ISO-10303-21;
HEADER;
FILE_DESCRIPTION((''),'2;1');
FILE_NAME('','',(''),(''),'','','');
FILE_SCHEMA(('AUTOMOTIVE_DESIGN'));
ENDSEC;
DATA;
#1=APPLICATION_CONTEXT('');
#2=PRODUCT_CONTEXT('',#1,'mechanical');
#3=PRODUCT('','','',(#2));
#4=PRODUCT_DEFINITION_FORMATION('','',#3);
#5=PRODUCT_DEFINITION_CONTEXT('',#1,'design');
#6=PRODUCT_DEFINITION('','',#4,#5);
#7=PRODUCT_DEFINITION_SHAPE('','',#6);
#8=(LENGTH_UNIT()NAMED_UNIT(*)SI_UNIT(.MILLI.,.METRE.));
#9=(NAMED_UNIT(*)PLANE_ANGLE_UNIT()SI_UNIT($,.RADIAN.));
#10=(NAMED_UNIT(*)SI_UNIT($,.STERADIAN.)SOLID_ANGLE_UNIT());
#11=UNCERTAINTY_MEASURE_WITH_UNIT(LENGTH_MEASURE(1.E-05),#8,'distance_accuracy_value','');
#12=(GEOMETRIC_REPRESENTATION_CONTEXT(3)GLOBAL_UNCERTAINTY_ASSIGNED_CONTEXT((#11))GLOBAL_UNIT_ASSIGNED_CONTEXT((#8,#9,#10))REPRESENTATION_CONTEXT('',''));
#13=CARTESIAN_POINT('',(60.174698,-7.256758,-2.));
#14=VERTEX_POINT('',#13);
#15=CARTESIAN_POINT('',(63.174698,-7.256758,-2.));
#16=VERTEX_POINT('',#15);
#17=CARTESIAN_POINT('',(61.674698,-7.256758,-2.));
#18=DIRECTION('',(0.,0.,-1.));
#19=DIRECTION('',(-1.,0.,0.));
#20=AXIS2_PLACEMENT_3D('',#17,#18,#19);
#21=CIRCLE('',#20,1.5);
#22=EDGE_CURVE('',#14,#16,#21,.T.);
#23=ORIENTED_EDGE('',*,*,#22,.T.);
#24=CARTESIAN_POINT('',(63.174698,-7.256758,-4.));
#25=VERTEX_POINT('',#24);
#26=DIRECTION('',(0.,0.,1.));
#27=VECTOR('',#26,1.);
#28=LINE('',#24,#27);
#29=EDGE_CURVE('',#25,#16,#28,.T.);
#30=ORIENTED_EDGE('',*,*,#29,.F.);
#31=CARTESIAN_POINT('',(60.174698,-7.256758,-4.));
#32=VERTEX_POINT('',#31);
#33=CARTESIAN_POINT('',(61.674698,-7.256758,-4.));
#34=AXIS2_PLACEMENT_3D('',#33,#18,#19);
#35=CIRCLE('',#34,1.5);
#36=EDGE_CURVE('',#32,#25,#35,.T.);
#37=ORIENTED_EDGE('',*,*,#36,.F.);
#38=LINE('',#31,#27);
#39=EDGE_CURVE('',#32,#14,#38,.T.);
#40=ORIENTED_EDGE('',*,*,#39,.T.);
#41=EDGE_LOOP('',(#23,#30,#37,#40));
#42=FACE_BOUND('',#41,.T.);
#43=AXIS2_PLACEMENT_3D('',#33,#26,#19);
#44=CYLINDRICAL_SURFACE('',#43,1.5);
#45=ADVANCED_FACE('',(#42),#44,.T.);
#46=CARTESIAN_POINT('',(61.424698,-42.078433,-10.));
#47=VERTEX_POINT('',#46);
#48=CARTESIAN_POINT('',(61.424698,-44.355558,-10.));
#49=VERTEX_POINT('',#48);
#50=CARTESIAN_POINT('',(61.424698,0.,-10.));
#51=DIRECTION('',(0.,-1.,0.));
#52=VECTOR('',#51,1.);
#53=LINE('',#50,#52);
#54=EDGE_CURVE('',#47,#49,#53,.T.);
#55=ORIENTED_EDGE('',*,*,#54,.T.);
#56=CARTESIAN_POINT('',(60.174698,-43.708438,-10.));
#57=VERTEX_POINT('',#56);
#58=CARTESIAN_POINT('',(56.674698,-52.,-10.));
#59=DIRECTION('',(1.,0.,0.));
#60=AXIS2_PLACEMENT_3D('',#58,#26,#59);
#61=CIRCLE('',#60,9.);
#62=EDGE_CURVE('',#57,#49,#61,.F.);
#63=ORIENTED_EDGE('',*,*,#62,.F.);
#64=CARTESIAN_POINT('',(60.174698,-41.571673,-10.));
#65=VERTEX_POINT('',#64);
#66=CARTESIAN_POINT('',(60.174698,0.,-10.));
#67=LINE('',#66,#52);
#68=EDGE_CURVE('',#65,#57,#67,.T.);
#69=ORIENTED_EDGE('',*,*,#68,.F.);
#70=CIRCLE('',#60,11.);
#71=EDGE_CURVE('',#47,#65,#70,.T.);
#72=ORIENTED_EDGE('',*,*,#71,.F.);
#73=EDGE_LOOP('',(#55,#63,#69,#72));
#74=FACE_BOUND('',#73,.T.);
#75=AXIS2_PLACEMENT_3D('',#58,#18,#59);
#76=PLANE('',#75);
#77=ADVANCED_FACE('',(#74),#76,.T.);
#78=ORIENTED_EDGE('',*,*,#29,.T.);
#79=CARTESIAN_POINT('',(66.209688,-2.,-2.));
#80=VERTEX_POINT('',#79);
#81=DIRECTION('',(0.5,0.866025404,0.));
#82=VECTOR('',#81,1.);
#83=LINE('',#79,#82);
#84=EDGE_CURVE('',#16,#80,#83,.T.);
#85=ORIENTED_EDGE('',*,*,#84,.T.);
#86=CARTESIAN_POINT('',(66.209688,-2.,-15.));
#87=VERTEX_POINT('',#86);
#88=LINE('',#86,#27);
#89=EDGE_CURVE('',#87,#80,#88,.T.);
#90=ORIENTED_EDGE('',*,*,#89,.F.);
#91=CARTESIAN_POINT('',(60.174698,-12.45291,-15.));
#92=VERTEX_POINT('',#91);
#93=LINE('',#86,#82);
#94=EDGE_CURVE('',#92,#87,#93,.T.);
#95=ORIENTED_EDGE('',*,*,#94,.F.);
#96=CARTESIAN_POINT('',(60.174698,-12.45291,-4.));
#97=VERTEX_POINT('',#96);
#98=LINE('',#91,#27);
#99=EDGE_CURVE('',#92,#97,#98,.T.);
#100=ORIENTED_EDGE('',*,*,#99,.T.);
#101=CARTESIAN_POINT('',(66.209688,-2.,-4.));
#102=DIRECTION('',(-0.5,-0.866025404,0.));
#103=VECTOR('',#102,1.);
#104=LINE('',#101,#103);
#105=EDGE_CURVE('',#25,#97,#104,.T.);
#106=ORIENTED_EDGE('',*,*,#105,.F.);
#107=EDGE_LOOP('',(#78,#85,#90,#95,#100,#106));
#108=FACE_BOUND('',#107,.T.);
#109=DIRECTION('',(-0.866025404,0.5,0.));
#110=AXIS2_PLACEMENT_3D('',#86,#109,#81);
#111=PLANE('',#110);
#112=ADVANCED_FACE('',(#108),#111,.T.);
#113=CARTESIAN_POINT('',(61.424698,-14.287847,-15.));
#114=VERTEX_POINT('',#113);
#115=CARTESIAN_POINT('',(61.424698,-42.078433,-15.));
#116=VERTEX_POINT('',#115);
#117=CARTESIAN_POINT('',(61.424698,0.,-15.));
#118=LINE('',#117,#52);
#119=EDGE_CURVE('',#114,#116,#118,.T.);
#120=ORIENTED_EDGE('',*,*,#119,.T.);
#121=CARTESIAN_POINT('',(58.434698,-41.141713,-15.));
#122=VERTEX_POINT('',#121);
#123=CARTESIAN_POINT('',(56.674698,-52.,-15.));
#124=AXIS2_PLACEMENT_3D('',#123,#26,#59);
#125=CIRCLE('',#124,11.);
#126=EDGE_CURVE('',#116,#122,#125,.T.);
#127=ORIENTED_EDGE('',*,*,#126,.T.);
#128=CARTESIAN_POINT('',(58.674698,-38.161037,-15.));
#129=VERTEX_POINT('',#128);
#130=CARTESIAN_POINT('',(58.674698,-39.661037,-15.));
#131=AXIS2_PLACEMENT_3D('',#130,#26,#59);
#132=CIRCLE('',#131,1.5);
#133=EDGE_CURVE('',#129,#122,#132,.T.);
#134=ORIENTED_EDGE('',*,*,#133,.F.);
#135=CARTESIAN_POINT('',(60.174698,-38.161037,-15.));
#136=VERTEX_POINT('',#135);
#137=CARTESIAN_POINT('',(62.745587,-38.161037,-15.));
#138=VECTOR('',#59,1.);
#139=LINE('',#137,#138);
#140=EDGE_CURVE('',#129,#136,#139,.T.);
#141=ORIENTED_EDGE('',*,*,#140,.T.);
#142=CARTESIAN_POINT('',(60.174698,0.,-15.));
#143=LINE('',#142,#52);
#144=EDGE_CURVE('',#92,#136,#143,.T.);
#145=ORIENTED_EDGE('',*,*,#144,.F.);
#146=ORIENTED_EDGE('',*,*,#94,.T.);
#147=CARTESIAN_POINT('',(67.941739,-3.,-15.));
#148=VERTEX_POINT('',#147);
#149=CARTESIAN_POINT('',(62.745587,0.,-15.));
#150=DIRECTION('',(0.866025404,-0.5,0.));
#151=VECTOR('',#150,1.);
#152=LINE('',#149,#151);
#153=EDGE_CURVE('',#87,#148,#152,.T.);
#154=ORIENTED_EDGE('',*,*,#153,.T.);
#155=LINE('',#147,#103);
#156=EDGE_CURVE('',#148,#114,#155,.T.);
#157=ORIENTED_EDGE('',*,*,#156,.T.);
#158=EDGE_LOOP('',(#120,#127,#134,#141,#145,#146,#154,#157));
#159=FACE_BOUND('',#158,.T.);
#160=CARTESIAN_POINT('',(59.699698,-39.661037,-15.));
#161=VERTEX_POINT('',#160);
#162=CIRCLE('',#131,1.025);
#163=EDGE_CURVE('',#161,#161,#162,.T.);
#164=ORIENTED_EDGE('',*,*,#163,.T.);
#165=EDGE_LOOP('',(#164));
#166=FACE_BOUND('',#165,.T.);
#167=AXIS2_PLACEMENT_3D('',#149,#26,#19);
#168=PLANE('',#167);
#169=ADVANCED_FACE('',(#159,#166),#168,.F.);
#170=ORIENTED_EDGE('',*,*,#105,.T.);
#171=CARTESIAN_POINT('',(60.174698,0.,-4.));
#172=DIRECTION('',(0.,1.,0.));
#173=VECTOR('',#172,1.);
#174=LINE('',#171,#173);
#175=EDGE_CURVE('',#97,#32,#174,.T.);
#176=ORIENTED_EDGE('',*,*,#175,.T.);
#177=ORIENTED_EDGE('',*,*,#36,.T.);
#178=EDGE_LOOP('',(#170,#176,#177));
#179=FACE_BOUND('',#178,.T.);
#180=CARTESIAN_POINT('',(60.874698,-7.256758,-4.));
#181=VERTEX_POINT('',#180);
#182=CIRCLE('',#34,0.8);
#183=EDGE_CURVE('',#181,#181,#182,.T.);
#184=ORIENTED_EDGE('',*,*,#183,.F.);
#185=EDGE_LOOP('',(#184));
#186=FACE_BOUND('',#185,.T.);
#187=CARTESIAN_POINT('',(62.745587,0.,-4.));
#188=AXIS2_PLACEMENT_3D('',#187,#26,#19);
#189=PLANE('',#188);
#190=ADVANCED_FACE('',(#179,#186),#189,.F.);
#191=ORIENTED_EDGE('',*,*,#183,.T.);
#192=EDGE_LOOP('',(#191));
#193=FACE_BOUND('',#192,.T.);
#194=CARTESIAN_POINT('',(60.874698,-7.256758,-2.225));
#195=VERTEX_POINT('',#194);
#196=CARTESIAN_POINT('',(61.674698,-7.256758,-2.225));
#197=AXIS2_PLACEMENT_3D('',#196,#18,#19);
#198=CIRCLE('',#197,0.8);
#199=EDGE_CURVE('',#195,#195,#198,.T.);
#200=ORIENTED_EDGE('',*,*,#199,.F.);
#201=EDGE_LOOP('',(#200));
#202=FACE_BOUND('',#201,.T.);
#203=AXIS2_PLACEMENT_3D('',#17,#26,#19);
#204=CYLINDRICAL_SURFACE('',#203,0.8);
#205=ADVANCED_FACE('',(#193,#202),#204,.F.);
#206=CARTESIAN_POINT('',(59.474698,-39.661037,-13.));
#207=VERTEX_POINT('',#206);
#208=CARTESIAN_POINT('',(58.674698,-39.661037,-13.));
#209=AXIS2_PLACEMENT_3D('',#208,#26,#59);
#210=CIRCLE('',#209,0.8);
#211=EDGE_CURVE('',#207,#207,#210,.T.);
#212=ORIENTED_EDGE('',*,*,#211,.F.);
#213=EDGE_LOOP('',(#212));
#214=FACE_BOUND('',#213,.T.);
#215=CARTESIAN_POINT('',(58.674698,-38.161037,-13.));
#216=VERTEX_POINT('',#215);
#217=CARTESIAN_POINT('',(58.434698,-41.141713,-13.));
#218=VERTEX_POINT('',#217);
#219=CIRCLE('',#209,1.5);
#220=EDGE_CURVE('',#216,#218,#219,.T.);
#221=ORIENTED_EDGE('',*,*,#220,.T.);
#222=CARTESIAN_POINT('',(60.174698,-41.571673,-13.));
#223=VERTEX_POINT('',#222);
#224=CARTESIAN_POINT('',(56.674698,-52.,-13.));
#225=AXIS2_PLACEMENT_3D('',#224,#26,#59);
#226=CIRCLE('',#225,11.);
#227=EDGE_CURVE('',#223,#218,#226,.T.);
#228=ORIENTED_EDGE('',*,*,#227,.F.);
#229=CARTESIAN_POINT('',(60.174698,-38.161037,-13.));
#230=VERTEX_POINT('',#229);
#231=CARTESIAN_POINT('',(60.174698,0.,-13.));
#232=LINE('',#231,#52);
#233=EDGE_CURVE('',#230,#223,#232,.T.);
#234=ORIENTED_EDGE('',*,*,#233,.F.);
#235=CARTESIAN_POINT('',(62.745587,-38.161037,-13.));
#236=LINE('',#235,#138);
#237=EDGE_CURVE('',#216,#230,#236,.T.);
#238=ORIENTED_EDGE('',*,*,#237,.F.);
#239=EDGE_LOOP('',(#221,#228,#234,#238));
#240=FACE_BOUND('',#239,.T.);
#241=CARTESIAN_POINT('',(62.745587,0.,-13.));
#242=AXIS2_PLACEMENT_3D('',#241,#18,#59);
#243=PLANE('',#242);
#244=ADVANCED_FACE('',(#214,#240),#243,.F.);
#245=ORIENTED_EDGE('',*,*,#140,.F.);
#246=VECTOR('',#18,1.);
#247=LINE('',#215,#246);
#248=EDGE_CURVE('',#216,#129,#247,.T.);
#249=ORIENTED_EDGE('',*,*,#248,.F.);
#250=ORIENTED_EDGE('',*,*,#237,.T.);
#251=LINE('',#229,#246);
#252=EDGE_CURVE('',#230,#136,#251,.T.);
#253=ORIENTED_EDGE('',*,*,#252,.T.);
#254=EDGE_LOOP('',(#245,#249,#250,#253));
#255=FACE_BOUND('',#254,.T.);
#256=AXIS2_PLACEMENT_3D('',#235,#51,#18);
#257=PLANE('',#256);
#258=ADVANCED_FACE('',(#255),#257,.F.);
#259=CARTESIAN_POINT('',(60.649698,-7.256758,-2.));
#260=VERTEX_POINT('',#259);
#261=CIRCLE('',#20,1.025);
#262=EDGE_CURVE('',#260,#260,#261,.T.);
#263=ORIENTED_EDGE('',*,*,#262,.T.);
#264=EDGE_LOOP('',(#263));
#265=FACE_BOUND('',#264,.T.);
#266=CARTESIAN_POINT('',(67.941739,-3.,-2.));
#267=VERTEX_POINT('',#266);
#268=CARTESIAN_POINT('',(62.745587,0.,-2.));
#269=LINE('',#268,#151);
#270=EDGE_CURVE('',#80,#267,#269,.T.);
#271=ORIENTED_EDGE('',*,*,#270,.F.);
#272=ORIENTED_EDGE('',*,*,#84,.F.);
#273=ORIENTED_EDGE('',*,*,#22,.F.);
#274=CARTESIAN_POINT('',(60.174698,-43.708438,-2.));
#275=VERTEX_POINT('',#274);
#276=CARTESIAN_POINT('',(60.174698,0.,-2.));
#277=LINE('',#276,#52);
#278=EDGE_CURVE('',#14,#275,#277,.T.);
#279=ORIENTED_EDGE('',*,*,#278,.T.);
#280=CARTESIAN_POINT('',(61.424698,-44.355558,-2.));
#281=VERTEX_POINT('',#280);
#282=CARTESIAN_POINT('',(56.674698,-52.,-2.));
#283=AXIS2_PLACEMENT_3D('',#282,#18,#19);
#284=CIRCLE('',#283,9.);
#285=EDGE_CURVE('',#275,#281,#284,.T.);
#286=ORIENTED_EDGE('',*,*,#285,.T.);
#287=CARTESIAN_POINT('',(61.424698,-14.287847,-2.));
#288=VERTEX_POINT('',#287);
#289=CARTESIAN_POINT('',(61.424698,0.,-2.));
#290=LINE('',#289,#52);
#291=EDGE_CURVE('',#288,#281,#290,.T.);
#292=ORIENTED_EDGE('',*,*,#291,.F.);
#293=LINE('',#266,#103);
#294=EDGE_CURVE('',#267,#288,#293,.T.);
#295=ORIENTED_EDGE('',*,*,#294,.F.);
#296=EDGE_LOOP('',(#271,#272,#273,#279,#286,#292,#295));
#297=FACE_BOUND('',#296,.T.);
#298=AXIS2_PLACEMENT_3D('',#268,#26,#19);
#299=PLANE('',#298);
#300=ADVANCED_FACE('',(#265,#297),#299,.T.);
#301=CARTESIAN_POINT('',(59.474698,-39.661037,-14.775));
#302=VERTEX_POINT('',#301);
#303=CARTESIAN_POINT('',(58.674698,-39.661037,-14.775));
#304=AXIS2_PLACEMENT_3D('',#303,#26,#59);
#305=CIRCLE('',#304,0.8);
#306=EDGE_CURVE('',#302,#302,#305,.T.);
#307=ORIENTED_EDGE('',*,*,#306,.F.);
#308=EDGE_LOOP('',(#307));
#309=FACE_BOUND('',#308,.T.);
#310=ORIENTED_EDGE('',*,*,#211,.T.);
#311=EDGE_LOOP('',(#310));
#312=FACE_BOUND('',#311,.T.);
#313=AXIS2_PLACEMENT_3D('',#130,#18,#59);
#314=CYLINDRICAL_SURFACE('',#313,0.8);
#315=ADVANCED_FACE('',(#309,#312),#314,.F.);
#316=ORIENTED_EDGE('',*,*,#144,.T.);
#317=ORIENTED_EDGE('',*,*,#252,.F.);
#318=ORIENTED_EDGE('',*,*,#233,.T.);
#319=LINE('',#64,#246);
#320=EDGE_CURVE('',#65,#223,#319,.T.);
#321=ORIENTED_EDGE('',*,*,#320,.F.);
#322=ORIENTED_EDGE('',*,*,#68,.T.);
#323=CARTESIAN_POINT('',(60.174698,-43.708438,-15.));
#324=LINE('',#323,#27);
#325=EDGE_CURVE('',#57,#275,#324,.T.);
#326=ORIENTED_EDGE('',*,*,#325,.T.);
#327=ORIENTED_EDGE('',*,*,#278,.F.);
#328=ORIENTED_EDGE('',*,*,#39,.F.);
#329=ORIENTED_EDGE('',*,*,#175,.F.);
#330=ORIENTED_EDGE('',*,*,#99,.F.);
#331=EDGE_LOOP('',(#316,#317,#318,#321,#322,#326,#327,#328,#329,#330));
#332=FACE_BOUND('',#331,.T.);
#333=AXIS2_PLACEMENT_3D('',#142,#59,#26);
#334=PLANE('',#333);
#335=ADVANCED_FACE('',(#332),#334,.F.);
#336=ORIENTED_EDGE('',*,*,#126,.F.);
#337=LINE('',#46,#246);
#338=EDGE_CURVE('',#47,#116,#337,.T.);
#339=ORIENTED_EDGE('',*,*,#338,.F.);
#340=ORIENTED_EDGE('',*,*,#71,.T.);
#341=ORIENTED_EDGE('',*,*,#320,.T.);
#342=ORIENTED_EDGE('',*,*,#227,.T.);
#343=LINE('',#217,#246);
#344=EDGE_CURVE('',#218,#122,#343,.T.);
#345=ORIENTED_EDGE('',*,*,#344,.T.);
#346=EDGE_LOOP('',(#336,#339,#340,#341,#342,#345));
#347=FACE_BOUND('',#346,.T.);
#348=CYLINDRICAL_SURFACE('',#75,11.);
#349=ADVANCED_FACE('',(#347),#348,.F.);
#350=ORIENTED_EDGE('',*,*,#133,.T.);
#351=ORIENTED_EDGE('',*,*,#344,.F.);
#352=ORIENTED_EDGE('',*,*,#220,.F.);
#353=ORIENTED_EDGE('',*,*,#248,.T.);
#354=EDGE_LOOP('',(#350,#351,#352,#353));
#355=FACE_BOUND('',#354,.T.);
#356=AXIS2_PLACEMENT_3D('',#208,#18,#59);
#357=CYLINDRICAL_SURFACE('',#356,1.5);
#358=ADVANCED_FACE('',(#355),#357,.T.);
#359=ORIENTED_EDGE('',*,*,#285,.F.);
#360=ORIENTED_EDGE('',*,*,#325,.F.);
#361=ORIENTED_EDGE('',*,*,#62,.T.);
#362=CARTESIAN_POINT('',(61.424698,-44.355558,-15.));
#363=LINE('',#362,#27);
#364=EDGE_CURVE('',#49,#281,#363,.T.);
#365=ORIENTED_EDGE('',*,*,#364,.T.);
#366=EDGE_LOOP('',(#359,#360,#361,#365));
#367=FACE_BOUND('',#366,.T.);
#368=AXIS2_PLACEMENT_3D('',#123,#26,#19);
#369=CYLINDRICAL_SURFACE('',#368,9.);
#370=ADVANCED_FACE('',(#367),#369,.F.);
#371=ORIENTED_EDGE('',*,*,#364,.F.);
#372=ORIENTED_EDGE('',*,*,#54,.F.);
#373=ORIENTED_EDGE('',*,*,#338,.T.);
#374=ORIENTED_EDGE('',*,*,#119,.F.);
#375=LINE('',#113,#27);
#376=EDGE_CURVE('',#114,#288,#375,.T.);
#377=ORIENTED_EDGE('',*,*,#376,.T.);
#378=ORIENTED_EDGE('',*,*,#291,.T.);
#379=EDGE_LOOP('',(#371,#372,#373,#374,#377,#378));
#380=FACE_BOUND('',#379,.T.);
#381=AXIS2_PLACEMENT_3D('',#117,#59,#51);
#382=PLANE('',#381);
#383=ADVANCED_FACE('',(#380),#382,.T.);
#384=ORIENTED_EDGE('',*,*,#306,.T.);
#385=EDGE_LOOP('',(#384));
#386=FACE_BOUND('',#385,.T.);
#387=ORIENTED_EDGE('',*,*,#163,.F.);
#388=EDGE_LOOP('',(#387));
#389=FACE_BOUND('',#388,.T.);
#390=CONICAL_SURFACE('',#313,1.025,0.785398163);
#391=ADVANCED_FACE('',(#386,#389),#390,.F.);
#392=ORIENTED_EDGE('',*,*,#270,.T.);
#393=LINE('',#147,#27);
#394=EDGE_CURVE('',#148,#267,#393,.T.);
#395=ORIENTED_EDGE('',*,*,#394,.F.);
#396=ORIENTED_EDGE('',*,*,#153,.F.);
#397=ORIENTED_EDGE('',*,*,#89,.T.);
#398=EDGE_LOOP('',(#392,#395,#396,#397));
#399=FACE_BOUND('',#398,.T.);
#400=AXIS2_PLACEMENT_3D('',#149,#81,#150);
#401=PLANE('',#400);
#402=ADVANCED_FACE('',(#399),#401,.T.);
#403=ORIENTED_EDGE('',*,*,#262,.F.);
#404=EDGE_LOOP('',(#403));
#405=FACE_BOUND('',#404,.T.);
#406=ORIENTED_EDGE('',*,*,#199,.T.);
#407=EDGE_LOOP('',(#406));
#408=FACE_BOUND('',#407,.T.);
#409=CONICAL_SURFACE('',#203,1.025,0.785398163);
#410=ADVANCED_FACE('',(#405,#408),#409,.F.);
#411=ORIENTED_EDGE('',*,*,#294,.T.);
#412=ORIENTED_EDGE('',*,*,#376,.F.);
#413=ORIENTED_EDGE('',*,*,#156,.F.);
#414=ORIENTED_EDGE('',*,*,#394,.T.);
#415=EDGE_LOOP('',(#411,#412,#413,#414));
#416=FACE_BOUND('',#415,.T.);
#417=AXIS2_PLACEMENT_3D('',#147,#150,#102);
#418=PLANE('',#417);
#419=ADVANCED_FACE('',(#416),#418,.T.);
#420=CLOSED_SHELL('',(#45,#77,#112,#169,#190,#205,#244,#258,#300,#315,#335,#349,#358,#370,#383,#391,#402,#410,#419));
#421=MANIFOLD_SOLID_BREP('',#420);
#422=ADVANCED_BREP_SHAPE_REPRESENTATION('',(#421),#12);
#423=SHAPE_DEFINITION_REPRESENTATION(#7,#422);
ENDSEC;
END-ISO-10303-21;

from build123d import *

# Parameters (mm, degrees)
EXTRUDE_START                = -2
EXTRUDE_1_DEPTH              = 13
SKETCH_2_R                   = 11
CUT_EXTRUDE_1_DEPTH          = 5
SKETCH_3_R                   = 1.5
EXTRUDE_2_DEPTH              = 2
EXTRUDE_3_DEPTH              = 2
HOLE_WIZARD_M2_4_D           = 1.6
HOLE_WIZARD_M2_4_DEPTH       = 5.2
HOLE_WIZARD_M2_4_CSINK_D     = 2.05
HOLE_WIZARD_M2_4_CSINK_ANGLE = 90
HOLE_WIZARD_M2_4_TIP         = 0.480688495
HOLE_WIZARD_M2_5_D           = 1.6
HOLE_WIZARD_M2_5_DEPTH       = 5.2
HOLE_WIZARD_M2_5_CSINK_D     = 2.05
HOLE_WIZARD_M2_5_CSINK_ANGLE = 90
HOLE_WIZARD_M2_5_TIP         = 0.480688495


with BuildPart() as part:
    # 草图1 → 凸台-拉伸1 (new body)
    with BuildSketch(Plane.XY.offset(EXTRUDE_START)):
        with BuildLine():
            Line((2.570888862, -12.45291013), (-3.464101615, -2))
            Line((-3.464101615, -2), (-5.196152423, -3))
            Line((-5.196152423, -3), (1.320888862, -14.287846621))
            Line((1.320888862, -14.287846621), (1.320888862, -44.355557574))
            ThreePointArc((1.320888862, -44.355557574), (1.933218512, -44.007523283), (2.570888862, -43.708438024))
            Line((2.570888862, -43.708438024), (2.570888862, -12.45291013))
        make_face()
    extrude(amount=-EXTRUDE_1_DEPTH)

    # 草图2 → 切除-拉伸1 (cut)
    with BuildSketch(Plane(origin=(0, 0, -15), x_dir=(-1, 0, 0), z_dir=(0, 0, -1))):
        with Locations((-6.070888862, -52)):
            Circle(SKETCH_2_R)
    extrude(amount=-CUT_EXTRUDE_1_DEPTH, mode=Mode.SUBTRACT)

    # 草图3 → 凸台-拉伸2 (add)
    with BuildSketch(Plane(origin=(0, 0, -15), x_dir=(-1, 0, 0), z_dir=(0, 0, -1))):
        with Locations((-4.070888862, -39.661037321)):
            Circle(SKETCH_3_R)
        with BuildLine():
            Line((-2.570888862, -41.571673193), (-2.570888862, -39.661037321))
            ThreePointArc((-2.570888862, -39.661037321), (-3.098777733, -40.803403266), (-4.310888798, -41.141712853))
            ThreePointArc((-4.310888798, -41.141712853), (-3.432117057, -41.321194666), (-2.570888862, -41.571673193))
        make_face()
        with BuildLine():
            Line((-2.570888862, -39.661037321), (-2.570888862, -38.161037321))
            Line((-2.570888862, -38.161037321), (-4.070888862, -38.161037321))
            ThreePointArc((-4.070888862, -38.161037321), (-3.010228691, -38.600377149), (-2.570888862, -39.661037321))
        make_face()
    extrude(amount=-EXTRUDE_2_DEPTH)

    # 草图4 → 凸台-拉伸3 (add)
    with BuildSketch(Plane.XY.offset(-2)):
        with BuildLine():
            Line((0.320888862, -8.555795813), (2.570888862, -12.45291013))
            Line((2.570888862, -12.45291013), (2.570888862, -7.256757708))
            ThreePointArc((2.570888862, -7.256757708), (1.820888862, -8.555795813), (0.320888862, -8.555795813))
        make_face()
        with BuildLine():
            ThreePointArc((0.320888862, -8.555795813), (1.820888862, -8.555795813), (2.570888862, -7.256757708))
            Line((2.570888862, -7.256757708), (-0.429111138, -7.256757708))
            Line((-0.429111138, -7.256757708), (0.320888862, -8.555795813))
        make_face()
        with BuildLine():
            Line((-0.429111138, -7.256757708), (2.570888862, -7.256757708))
            ThreePointArc((2.570888862, -7.256757708), (1.070888862, -5.756757708), (-0.429111138, -7.256757708))
        make_face()
    extrude(amount=-EXTRUDE_3_DEPTH)

    # M2 螺纹孔4
    with Locations(Plane.XY.offset(-2)):
        with Locations((1.070888862, -7.256757708)):
            CounterSinkHole(HOLE_WIZARD_M2_4_D / 2, HOLE_WIZARD_M2_4_CSINK_D / 2, depth=HOLE_WIZARD_M2_4_DEPTH, counter_sink_angle=HOLE_WIZARD_M2_4_CSINK_ANGLE)
            with Locations((0, 0, -(HOLE_WIZARD_M2_4_DEPTH + HOLE_WIZARD_M2_4_TIP / 2))):  # 118° drill point
                Cone(0, HOLE_WIZARD_M2_4_D / 2, HOLE_WIZARD_M2_4_TIP, mode=Mode.SUBTRACT)

    # M2 螺纹孔5
    with Locations(Plane(origin=(0, 0, -15), x_dir=(-1, 0, 0), z_dir=(0, 0, -1))):
        with Locations((-4.070888862, -39.661037321)):
            CounterSinkHole(HOLE_WIZARD_M2_5_D / 2, HOLE_WIZARD_M2_5_CSINK_D / 2, depth=HOLE_WIZARD_M2_5_DEPTH, counter_sink_angle=HOLE_WIZARD_M2_5_CSINK_ANGLE)
            with Locations((0, 0, -(HOLE_WIZARD_M2_5_DEPTH + HOLE_WIZARD_M2_5_TIP / 2))):  # 118° drill point
                Cone(0, HOLE_WIZARD_M2_5_D / 2, HOLE_WIZARD_M2_5_TIP, mode=Mode.SUBTRACT)


with BuildPart() as body_2:
    # 镜向2: mirrored copy
    add(part.part.mirror(Plane(origin=(31.372793256, 0, 0), x_dir=(0, 0, 1), z_dir=(1, 0, 0))))


solid = body_2.part
